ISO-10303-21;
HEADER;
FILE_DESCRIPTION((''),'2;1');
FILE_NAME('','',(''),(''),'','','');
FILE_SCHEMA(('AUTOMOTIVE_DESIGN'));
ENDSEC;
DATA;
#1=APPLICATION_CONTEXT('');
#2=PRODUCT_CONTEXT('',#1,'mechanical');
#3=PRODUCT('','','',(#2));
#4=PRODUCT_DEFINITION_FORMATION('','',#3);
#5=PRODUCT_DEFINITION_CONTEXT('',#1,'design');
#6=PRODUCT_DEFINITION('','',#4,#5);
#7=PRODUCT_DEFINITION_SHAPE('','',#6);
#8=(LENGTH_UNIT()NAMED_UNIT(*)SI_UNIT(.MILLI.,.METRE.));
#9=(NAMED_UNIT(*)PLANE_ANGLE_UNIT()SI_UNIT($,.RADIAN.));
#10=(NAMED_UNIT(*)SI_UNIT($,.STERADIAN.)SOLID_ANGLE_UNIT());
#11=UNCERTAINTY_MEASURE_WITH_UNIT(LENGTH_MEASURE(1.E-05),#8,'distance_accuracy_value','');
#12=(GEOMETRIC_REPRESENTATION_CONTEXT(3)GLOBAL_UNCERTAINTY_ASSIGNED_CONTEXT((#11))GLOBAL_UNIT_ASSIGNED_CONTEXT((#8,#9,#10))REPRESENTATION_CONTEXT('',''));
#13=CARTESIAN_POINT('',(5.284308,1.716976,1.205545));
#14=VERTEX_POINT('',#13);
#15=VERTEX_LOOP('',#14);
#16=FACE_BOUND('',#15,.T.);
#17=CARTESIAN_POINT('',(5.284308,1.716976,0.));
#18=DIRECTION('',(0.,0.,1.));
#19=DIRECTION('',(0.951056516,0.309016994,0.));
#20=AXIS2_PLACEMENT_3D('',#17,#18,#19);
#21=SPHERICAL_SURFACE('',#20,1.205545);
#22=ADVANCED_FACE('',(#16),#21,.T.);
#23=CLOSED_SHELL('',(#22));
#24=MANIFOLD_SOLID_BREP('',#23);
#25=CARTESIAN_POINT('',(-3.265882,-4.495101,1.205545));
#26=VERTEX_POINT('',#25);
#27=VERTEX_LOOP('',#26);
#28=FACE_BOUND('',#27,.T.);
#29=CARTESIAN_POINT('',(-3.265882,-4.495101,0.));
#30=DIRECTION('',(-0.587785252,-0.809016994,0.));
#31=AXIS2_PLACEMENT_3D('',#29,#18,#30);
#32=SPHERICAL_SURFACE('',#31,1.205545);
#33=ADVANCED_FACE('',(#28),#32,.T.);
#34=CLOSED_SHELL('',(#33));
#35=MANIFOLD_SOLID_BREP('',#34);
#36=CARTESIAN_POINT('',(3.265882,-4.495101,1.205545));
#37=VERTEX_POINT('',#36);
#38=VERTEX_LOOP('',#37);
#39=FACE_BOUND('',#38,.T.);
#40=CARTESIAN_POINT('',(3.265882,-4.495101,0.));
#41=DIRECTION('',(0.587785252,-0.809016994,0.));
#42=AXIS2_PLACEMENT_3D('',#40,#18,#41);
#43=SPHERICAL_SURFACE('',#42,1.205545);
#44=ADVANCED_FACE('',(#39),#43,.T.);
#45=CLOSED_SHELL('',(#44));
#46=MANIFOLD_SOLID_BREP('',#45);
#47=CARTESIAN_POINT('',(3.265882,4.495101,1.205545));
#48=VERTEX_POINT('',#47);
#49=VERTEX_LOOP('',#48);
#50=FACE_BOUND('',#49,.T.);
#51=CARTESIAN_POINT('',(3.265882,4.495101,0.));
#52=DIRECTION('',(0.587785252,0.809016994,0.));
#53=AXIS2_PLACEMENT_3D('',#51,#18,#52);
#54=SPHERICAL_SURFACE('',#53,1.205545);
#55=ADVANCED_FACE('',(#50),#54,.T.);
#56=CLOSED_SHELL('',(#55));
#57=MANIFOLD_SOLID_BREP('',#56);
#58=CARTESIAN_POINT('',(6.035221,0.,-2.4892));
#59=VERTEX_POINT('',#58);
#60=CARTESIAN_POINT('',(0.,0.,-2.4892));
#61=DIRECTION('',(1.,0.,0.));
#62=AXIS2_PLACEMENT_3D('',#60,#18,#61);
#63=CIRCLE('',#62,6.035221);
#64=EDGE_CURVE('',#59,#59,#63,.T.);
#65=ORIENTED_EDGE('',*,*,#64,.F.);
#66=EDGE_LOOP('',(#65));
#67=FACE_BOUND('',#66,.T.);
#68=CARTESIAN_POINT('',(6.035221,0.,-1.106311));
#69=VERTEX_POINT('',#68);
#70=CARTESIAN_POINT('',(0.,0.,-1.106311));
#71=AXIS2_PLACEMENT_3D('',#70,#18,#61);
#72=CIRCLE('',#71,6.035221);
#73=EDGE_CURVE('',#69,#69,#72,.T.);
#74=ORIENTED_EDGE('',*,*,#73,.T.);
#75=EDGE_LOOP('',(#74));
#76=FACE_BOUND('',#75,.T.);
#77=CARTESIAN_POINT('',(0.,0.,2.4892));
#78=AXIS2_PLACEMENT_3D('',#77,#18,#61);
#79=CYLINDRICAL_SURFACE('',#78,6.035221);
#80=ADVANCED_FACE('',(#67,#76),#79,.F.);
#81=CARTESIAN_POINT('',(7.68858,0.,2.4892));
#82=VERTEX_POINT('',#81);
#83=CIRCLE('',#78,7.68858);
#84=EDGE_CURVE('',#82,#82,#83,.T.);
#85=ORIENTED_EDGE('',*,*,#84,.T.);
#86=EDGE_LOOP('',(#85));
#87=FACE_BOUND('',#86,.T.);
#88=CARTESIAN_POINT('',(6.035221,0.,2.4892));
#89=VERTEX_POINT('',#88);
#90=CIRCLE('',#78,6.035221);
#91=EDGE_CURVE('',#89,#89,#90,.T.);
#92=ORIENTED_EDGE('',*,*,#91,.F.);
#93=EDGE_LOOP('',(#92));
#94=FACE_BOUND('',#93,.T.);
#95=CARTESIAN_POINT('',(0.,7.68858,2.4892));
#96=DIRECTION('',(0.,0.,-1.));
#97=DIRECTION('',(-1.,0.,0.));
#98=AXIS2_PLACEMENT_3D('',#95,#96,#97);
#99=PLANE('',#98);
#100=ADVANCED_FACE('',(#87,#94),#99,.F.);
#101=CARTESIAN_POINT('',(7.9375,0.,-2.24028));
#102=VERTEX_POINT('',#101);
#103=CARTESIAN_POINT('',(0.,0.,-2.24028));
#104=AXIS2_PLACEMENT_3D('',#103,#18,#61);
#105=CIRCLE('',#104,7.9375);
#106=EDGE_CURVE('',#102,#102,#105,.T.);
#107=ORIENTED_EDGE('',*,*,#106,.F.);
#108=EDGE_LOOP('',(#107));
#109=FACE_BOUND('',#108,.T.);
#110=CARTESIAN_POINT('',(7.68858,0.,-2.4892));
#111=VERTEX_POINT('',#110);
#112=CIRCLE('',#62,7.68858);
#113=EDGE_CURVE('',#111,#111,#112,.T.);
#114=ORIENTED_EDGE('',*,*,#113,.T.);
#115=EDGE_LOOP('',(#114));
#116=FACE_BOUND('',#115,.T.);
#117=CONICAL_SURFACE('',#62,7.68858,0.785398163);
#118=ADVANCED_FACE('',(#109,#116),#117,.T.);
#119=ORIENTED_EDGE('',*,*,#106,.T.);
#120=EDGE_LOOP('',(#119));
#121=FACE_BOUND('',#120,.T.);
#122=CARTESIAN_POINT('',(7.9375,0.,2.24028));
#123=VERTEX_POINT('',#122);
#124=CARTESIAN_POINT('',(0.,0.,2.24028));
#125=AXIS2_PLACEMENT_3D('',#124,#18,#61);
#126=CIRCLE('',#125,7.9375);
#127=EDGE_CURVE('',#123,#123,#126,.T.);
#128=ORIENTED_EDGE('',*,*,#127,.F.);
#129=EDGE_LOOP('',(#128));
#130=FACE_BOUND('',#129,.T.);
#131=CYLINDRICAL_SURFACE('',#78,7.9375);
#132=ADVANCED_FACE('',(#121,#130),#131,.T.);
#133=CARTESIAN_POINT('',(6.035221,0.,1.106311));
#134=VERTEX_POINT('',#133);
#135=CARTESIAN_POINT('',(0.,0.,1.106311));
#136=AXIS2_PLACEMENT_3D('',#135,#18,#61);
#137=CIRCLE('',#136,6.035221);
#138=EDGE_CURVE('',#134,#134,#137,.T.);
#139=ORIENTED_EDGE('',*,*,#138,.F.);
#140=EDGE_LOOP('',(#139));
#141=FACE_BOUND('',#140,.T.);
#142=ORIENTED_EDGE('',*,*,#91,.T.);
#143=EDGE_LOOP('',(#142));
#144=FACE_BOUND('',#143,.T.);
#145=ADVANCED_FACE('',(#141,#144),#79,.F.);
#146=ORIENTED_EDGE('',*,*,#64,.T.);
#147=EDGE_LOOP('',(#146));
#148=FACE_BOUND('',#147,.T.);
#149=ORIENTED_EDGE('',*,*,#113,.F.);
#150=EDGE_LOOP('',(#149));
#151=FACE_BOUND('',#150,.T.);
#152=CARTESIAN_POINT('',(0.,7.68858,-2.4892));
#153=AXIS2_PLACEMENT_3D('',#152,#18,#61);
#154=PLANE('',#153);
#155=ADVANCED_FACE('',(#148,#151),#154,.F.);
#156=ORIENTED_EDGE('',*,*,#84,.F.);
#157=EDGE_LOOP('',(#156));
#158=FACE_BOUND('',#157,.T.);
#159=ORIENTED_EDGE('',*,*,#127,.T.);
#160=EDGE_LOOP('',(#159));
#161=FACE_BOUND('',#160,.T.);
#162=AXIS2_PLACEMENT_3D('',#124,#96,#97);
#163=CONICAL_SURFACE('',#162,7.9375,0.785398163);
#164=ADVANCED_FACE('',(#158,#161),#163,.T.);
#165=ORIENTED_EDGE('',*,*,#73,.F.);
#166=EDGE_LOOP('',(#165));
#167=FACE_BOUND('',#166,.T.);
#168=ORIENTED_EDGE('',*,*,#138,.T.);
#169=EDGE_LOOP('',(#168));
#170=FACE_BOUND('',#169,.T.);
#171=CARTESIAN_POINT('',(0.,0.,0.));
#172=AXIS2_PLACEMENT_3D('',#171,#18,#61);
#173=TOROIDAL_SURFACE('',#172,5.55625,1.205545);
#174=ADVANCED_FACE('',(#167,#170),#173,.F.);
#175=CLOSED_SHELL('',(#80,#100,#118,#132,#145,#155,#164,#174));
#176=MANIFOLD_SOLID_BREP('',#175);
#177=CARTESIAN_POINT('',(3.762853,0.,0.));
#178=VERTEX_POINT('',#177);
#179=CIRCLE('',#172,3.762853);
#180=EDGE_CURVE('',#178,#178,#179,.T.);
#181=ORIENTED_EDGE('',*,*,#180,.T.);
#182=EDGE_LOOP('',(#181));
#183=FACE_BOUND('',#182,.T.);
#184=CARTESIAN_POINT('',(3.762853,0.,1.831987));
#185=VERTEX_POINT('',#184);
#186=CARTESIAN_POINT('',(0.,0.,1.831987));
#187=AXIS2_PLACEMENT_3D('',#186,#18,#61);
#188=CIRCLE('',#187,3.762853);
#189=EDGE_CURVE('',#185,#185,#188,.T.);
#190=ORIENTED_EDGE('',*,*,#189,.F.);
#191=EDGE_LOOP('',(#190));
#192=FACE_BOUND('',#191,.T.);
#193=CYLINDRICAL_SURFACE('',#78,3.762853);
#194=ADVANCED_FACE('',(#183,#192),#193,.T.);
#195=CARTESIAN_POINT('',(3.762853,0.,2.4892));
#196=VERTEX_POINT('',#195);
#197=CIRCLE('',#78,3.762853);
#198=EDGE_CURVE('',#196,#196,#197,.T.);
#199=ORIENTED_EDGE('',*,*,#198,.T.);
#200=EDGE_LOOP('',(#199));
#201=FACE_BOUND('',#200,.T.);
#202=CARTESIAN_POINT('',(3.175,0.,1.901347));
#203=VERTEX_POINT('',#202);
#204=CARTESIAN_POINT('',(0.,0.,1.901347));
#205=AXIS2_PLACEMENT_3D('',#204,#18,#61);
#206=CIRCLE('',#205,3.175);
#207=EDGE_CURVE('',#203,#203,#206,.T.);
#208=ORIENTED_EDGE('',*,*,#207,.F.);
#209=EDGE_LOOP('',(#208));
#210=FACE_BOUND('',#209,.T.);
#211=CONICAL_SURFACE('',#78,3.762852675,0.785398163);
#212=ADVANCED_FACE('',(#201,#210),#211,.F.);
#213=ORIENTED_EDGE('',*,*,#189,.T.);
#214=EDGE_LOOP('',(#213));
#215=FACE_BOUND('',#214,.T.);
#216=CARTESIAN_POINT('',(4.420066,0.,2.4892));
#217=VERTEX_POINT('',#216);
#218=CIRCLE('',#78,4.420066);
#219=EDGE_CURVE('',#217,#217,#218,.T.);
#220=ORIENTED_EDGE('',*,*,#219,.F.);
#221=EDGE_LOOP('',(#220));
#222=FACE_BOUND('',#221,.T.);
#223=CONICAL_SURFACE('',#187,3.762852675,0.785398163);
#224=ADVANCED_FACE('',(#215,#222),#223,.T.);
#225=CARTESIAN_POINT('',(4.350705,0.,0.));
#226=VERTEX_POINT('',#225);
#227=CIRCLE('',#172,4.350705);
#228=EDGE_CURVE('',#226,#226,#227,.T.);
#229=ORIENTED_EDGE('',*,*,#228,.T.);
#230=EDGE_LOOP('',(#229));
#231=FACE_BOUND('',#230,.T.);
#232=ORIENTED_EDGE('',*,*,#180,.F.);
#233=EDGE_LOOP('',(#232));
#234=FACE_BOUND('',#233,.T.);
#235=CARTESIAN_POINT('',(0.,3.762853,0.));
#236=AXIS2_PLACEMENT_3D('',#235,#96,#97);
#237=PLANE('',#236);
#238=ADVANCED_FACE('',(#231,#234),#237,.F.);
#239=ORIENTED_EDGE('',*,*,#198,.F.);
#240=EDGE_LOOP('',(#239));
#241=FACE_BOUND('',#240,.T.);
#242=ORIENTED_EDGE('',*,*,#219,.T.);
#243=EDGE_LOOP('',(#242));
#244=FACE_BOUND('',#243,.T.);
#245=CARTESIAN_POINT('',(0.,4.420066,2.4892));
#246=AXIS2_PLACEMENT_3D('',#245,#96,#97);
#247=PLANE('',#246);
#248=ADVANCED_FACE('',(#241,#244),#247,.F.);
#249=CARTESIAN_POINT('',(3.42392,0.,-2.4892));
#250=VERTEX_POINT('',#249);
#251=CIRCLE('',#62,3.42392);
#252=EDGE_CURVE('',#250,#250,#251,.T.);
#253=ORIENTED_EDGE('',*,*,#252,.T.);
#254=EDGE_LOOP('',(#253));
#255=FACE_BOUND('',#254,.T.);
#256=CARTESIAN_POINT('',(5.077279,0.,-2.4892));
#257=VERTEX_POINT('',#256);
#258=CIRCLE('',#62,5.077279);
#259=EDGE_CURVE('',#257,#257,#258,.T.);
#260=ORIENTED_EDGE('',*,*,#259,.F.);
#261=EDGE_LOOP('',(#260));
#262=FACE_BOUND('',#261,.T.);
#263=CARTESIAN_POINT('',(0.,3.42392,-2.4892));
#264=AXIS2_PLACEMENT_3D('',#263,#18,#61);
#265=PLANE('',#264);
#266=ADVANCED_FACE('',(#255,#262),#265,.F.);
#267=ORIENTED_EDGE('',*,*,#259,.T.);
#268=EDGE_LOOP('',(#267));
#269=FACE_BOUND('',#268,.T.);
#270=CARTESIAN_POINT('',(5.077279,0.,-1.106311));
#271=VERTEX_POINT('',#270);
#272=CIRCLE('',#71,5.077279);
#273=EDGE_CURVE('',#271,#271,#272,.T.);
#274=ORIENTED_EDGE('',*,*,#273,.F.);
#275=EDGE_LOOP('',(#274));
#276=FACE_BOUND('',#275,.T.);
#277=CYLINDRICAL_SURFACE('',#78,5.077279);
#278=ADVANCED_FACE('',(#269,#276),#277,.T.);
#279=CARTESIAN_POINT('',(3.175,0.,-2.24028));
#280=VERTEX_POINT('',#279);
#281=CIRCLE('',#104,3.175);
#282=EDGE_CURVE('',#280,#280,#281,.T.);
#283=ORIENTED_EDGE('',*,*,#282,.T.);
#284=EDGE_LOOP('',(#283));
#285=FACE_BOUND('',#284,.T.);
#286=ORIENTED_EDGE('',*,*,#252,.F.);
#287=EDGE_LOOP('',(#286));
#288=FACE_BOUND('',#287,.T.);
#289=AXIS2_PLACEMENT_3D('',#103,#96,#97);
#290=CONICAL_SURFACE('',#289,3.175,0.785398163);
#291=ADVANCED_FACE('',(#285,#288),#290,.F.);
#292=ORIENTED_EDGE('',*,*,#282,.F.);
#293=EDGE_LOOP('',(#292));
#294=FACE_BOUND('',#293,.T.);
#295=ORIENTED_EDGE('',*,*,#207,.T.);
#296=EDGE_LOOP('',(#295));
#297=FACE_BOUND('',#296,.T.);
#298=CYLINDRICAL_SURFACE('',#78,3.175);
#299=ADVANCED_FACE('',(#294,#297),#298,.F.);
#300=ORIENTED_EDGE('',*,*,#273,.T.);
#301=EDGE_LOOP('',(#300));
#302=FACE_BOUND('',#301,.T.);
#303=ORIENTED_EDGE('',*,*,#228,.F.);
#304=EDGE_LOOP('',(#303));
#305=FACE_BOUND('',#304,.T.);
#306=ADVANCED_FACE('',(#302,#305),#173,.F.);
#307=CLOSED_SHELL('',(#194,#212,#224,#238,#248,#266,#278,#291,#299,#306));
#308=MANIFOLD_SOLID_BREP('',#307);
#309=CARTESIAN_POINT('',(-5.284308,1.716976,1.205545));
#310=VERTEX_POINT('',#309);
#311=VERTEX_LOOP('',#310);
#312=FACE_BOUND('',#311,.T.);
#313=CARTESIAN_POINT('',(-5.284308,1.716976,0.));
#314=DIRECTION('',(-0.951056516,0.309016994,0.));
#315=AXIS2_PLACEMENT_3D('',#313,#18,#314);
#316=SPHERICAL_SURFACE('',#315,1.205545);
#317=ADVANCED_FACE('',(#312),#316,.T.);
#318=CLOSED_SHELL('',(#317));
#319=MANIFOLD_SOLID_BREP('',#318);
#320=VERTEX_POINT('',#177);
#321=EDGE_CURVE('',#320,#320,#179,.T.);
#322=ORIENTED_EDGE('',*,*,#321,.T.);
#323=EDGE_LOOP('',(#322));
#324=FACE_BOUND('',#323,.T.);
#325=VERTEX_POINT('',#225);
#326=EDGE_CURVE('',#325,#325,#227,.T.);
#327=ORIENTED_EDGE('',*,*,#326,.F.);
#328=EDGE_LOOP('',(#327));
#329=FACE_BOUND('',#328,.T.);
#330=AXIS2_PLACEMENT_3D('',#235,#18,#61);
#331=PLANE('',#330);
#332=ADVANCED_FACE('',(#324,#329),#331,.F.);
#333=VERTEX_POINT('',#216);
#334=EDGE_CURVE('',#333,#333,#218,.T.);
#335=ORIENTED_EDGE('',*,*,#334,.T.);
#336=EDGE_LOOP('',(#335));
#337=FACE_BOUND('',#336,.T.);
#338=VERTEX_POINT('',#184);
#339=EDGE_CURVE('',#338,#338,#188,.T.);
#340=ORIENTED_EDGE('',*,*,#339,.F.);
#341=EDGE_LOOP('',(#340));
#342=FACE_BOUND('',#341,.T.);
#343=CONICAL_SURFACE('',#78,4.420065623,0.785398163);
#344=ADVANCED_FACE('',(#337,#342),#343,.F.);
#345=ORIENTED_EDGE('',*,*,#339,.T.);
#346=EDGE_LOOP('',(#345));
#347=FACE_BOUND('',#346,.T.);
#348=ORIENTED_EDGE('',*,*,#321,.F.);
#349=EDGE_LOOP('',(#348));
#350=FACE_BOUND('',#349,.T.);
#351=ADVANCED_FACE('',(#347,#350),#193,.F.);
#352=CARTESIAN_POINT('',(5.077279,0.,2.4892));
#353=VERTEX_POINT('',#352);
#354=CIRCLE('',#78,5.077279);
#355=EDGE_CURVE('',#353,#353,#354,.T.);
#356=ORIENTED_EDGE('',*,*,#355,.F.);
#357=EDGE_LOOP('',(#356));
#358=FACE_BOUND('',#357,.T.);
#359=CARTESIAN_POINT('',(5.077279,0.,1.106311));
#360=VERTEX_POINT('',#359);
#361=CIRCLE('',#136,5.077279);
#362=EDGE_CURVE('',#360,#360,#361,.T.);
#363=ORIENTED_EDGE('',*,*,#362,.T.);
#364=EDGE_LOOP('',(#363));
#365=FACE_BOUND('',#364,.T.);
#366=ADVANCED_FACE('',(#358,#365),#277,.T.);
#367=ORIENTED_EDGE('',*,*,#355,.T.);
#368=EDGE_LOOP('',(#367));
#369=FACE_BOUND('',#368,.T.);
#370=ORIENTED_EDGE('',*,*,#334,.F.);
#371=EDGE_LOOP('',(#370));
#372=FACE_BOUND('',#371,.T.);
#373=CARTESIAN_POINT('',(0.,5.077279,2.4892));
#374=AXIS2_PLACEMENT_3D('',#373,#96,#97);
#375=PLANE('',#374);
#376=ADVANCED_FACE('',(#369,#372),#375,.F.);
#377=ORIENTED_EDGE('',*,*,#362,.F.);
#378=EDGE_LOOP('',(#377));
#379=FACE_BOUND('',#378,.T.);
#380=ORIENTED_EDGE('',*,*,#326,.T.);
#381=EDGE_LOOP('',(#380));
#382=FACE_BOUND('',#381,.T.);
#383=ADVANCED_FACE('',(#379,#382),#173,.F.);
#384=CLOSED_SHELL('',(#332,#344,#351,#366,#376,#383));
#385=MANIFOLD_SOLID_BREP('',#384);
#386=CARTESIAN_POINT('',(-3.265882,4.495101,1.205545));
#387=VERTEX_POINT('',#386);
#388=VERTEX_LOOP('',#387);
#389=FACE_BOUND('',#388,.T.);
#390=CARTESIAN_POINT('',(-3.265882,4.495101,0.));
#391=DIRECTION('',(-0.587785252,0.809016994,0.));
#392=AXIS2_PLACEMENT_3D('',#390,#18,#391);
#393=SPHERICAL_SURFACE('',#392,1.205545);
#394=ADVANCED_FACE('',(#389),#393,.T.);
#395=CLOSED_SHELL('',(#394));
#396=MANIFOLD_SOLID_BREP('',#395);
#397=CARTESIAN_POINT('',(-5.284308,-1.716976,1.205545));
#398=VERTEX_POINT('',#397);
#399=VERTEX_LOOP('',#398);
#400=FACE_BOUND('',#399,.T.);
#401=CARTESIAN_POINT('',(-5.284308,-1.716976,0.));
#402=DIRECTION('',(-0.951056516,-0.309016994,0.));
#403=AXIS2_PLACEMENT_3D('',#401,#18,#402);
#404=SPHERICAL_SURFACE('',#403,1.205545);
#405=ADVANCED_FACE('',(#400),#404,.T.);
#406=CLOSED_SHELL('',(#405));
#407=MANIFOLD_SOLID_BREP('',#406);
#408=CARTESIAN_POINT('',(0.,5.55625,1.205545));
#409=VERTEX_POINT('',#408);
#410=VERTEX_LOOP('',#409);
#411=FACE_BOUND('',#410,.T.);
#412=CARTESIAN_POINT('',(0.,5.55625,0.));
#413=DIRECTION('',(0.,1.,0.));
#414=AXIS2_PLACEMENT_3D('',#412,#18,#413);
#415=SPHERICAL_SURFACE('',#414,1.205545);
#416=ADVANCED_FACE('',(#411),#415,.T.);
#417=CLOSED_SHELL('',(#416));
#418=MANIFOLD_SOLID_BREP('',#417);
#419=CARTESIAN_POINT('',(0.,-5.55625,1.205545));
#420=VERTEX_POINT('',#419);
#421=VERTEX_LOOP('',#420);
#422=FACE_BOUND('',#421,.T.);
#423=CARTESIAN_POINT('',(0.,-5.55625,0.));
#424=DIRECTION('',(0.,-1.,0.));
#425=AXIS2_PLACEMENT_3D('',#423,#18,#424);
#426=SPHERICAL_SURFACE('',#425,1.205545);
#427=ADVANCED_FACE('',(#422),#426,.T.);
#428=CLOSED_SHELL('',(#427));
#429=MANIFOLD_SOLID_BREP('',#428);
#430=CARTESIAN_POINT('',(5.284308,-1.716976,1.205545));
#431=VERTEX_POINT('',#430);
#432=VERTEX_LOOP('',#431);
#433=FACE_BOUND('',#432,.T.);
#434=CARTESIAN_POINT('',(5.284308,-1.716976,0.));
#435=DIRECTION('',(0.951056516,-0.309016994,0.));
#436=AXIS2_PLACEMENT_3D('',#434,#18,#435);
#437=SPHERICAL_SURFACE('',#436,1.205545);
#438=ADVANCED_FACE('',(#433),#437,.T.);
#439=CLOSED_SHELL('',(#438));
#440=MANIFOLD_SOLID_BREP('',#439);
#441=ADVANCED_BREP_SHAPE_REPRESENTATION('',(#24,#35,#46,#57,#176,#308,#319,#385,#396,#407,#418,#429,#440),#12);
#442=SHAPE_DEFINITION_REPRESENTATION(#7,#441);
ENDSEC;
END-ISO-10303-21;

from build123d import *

# Parameters (mm, degrees)
CIRPATTERN1_COUNT = 10


with BuildPart() as part:
    # Sketch1 → Revolve1 (revolve)
    with BuildSketch(Plane(origin=(0, 0, 0), x_dir=(0, 0, -1), z_dir=(1, 0, 0))):
        with BuildLine():
            Line((2.24028, 7.9375), (-2.24028, 7.9375))
            Line((-2.24028, 7.9375), (-2.4892, 7.68858))
            Line((-2.4892, 7.68858), (-2.4892, 6.035221429))
            Line((-2.4892, 6.035221429), (-1.106311111, 6.035221429))
            ThreePointArc((-1.106311111, 6.035221429), (0, 6.76179465), (1.106311111, 6.035221429))
            Line((1.106311111, 6.035221429), (2.4892, 6.035221429))
            Line((2.4892, 6.035221429), (2.4892, 7.68858))
            Line((2.4892, 7.68858), (2.24028, 7.9375))
        make_face()
    revolve(axis=Axis((0, 0, 2.4892), (0, 0, -1)))


with BuildPart() as body_2:
    # Sketch2 → Revolve2 (revolve)
    with BuildSketch(Plane(origin=(0, 0, 0), x_dir=(0, 0, -1), z_dir=(1, 0, 0))):
        with BuildLine():
            Line((-2.4892, 5.077278571), (-1.106311111, 5.077278571))
            ThreePointArc((-1.106311111, 5.077278571), (-0.661784127, 4.548589505), (0, 4.35070535))
            Line((0, 4.35070535), (0, 3.762852675))
            Line((0, 3.762852675), (-1.831987052, 3.762852675))
            Line((-1.831987052, 3.762852675), (-2.4892, 4.420065623))
            Line((-2.4892, 4.420065623), (-2.4892, 5.077278571))
        make_face()
    revolve(axis=Axis((0, 0, 2.4892), (0, 0, -1)))


with BuildPart() as body_3:
    # Sketch3 → Revolve3 (revolve)
    with BuildSketch(Plane(origin=(0, 0, 0), x_dir=(0, 0, -1), z_dir=(1, 0, 0))):
        with BuildLine():
            Line((-2.4892, 4.420065623), (-1.831987052, 3.762852675))
            Line((-1.831987052, 3.762852675), (0, 3.762852675))
            Line((0, 3.762852675), (0, 4.35070535))
            ThreePointArc((0, 4.35070535), (0.661784127, 4.548589505), (1.106311111, 5.077278571))
            Line((1.106311111, 5.077278571), (2.4892, 5.077278571))
            Line((2.4892, 5.077278571), (2.4892, 3.42392))
            Line((2.4892, 3.42392), (2.24028, 3.175))
            Line((2.24028, 3.175), (-1.901347325, 3.175))
            Line((-1.901347325, 3.175), (-2.4892, 3.762852675))
            Line((-2.4892, 3.762852675), (-2.4892, 4.420065623))
        make_face()
    revolve(axis=Axis((0, 0, 2.4892), (0, 0, -1)))


with BuildPart() as body_4:
    # Sketch4 → Revolve4 (revolve)
    with BuildSketch(Plane(origin=(0, 0, 0), x_dir=(0, 0, -1), z_dir=(1, 0, 0))):
        with BuildLine():
            Line((-1.20554465, 5.55625), (1.20554465, 5.55625))
            ThreePointArc((1.20554465, 5.55625), (0, 6.76179465), (-1.20554465, 5.55625))
        make_face()
    revolve(axis=Axis((0, 5.55625, 1.20554465), (0, 0, -1)))


with BuildPart() as cirpattern1_1:
    # CirPattern1: pattern copy
    add(body_4.part.rotate(Axis((0, 0, -2.4892), (0, 0, 1)), 1 * 360 / CIRPATTERN1_COUNT))


with BuildPart() as cirpattern1_2:
    # CirPattern1: pattern copy
    add(body_4.part.rotate(Axis((0, 0, -2.4892), (0, 0, 1)), 2 * 360 / CIRPATTERN1_COUNT))


with BuildPart() as cirpattern1_3:
    # CirPattern1: pattern copy
    add(body_4.part.rotate(Axis((0, 0, -2.4892), (0, 0, 1)), 3 * 360 / CIRPATTERN1_COUNT))


with BuildPart() as cirpattern1_4:
    # CirPattern1: pattern copy
    add(body_4.part.rotate(Axis((0, 0, -2.4892), (0, 0, 1)), 4 * 360 / CIRPATTERN1_COUNT))


with BuildPart() as cirpattern1_5:
    # CirPattern1: pattern copy
    add(body_4.part.rotate(Axis((0, 0, -2.4892), (0, 0, 1)), 5 * 360 / CIRPATTERN1_COUNT))


with BuildPart() as cirpattern1_6:
    # CirPattern1: pattern copy
    add(body_4.part.rotate(Axis((0, 0, -2.4892), (0, 0, 1)), 6 * 360 / CIRPATTERN1_COUNT))


with BuildPart() as cirpattern1_7:
    # CirPattern1: pattern copy
    add(body_4.part.rotate(Axis((0, 0, -2.4892), (0, 0, 1)), 7 * 360 / CIRPATTERN1_COUNT))


with BuildPart() as cirpattern1_8:
    # CirPattern1: pattern copy
    add(body_4.part.rotate(Axis((0, 0, -2.4892), (0, 0, 1)), 8 * 360 / CIRPATTERN1_COUNT))


with BuildPart() as cirpattern1_9:
    # CirPattern1: pattern copy
    add(body_4.part.rotate(Axis((0, 0, -2.4892), (0, 0, 1)), 9 * 360 / CIRPATTERN1_COUNT))


solid = Compound([part.part, body_2.part, body_3.part, body_4.part, cirpattern1_1.part, cirpattern1_2.part, cirpattern1_3.part, cirpattern1_4.part, cirpattern1_5.part, cirpattern1_6.part, cirpattern1_7.part, cirpattern1_8.part, cirpattern1_9.part])
